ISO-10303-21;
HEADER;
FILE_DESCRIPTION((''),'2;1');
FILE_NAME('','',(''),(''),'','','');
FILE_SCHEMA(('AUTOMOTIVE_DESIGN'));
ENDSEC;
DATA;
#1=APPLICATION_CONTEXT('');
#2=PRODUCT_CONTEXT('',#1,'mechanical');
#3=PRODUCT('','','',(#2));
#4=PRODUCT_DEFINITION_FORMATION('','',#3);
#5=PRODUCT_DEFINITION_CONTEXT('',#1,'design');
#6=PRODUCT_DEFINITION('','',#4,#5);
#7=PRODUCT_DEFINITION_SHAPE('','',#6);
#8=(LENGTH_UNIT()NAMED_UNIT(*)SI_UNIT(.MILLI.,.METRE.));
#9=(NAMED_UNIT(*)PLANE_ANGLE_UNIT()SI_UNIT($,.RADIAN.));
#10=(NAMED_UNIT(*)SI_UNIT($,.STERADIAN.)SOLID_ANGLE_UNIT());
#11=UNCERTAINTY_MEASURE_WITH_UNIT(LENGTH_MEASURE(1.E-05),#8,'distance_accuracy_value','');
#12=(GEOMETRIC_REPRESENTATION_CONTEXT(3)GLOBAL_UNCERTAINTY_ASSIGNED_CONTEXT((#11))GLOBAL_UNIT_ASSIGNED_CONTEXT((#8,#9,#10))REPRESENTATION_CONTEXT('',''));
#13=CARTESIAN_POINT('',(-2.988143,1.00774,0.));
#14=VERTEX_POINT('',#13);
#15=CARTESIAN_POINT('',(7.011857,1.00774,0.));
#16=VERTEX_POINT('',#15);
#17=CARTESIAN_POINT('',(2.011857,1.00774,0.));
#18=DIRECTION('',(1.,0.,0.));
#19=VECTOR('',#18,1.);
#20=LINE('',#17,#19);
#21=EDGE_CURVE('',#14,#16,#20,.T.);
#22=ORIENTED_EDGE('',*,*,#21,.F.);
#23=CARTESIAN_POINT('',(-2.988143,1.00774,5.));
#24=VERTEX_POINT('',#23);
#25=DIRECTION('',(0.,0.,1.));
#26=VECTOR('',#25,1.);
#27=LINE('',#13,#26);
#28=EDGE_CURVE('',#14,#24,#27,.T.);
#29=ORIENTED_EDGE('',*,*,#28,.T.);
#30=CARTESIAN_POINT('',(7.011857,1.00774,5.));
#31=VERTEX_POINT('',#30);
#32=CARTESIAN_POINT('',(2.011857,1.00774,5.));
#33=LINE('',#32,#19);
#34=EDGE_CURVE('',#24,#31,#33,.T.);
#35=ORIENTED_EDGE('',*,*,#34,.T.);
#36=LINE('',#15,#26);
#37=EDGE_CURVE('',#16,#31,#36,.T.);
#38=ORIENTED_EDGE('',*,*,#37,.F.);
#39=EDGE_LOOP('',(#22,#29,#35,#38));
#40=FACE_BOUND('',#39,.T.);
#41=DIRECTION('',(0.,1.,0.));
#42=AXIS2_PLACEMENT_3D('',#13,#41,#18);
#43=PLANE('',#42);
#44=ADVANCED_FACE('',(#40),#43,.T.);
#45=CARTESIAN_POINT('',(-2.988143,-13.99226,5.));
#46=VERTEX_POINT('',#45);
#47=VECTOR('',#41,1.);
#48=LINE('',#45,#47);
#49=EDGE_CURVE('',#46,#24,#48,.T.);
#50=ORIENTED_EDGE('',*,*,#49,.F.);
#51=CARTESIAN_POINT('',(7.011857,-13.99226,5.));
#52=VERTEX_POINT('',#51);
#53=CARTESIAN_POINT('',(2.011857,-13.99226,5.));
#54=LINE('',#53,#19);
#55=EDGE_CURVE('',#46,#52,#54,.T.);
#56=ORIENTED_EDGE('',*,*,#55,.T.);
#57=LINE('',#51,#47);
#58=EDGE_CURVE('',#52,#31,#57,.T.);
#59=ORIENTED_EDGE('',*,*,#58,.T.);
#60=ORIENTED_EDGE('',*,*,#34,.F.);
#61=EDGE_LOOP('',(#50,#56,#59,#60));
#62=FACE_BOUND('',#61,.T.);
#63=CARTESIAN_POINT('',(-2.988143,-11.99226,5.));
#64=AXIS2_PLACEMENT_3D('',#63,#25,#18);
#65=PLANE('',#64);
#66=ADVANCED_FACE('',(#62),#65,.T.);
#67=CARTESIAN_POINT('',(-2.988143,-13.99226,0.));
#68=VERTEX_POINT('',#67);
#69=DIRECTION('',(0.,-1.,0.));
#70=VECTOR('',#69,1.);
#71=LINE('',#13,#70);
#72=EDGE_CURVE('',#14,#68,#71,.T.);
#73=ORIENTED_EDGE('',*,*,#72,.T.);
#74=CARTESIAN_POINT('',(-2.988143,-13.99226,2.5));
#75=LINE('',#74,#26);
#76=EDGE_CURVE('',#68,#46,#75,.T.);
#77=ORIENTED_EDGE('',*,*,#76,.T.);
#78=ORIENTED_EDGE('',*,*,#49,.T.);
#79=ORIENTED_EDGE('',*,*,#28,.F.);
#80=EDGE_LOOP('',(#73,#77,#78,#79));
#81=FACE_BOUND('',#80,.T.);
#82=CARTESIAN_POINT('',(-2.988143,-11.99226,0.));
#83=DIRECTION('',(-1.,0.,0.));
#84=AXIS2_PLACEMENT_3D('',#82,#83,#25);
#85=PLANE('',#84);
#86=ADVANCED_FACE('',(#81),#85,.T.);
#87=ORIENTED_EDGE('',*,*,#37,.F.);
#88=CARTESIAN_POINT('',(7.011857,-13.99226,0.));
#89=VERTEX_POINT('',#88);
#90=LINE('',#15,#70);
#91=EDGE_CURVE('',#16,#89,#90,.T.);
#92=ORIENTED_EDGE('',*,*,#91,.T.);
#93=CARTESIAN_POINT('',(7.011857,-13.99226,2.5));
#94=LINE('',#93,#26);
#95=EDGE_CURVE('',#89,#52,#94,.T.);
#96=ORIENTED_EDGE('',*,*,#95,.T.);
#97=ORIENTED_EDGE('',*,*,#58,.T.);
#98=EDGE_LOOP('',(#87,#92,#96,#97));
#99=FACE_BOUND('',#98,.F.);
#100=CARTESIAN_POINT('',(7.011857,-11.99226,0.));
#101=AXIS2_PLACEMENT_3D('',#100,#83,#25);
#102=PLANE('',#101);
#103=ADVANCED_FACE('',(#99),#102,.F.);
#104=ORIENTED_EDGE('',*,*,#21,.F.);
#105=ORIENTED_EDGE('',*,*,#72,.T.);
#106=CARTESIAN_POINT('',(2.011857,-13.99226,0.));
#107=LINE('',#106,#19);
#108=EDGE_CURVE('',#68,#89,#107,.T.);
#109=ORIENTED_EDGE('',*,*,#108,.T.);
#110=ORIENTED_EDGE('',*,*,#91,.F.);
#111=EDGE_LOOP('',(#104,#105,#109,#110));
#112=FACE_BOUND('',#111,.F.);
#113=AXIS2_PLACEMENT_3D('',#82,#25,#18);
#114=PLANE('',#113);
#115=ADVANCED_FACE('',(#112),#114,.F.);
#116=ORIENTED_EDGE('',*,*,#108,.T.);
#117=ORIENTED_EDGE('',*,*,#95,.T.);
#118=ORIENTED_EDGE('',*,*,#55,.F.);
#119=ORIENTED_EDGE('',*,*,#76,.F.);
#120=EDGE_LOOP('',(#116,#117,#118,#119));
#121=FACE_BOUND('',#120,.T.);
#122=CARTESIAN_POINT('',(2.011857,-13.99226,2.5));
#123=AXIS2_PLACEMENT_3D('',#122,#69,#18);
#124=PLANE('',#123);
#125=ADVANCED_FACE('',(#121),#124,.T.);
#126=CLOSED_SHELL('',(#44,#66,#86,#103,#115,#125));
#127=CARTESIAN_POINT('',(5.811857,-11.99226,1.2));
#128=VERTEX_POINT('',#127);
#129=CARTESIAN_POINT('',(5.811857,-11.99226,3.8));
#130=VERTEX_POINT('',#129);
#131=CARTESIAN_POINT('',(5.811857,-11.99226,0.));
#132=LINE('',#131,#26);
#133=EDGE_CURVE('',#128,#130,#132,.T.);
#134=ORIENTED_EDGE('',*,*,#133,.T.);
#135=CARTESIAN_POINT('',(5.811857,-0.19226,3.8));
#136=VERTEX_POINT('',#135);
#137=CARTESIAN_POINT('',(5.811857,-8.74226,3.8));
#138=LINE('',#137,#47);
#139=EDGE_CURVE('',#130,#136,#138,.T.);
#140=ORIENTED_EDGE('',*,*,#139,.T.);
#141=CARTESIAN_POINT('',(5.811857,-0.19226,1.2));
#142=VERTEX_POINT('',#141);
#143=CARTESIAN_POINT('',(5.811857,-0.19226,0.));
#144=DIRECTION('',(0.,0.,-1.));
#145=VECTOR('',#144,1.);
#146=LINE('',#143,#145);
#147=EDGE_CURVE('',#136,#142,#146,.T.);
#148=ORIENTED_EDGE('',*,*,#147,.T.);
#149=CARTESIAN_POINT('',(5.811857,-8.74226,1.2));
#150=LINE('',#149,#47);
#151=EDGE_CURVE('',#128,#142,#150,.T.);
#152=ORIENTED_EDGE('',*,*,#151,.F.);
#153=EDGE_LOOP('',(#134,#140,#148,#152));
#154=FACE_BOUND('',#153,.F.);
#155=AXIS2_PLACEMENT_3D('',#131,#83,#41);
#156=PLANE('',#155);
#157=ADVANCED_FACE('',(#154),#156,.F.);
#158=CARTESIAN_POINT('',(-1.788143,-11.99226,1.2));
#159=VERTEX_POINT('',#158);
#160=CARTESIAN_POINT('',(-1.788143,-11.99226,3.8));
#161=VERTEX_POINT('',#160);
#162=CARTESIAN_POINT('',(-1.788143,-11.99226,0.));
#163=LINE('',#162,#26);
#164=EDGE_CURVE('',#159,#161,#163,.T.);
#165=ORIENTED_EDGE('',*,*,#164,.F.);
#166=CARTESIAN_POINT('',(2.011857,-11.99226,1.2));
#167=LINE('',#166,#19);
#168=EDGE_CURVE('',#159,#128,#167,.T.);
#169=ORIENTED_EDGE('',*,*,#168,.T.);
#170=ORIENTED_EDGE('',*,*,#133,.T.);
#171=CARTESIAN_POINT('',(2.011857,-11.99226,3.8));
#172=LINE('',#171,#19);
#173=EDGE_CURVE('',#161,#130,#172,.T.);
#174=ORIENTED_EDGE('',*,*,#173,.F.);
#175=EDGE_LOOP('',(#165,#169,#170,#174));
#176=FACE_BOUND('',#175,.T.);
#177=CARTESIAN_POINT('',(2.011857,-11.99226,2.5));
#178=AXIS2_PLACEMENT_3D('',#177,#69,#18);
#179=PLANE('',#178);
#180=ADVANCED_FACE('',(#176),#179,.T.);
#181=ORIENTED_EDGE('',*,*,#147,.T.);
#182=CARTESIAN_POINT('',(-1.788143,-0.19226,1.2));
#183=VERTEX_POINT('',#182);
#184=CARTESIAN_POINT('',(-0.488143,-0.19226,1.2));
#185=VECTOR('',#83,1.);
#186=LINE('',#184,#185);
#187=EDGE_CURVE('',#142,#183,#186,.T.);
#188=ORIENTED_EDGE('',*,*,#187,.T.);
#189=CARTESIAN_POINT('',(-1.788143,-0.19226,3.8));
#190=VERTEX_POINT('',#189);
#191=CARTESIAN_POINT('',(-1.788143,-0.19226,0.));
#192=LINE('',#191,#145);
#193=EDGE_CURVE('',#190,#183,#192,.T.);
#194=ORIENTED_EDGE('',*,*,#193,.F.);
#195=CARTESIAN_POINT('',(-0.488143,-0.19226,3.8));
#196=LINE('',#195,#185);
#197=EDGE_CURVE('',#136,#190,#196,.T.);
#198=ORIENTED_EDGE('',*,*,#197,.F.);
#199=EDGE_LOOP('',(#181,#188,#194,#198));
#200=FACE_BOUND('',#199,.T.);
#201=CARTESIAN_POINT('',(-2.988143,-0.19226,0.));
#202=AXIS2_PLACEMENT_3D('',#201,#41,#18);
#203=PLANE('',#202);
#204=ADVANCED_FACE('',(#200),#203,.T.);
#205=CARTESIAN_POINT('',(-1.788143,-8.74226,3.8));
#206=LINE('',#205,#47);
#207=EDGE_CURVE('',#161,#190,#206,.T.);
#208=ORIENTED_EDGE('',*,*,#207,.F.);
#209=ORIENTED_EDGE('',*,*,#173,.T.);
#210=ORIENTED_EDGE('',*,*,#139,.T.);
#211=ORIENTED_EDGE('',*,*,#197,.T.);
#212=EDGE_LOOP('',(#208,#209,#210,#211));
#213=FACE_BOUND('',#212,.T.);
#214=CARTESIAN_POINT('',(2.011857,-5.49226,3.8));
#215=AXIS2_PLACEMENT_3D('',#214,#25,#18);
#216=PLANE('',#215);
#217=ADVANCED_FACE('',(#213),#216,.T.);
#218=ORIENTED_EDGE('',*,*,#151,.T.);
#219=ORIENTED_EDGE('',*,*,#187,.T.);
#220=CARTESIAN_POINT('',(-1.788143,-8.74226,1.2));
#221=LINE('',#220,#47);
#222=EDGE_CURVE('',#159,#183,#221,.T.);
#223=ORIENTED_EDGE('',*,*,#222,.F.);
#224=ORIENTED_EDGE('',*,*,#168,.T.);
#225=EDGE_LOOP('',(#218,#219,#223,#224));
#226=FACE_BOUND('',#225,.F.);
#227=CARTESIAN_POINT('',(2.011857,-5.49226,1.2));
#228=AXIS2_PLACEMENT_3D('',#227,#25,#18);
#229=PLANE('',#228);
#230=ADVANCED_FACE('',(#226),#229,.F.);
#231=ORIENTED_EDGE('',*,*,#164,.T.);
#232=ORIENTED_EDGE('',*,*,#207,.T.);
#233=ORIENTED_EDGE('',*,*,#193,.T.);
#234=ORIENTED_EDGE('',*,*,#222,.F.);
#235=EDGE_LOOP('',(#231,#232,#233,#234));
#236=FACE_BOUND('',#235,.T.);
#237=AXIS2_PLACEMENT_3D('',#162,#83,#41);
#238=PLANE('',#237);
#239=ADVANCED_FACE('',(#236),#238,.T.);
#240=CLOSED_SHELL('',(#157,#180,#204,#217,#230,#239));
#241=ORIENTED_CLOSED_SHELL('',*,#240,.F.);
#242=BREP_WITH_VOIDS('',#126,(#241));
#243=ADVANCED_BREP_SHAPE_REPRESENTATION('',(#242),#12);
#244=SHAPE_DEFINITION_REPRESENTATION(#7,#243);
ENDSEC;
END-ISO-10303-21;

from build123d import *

# Parameters (mm, degrees)
F0_W     = 10
F0_H     = 13
F1_DEPTH = 5
F2_T     = -1.2
F3_W     = 10
F3_H     = 5
F4_DEPTH = 2


with BuildPart() as f1:
    # F0 (on Top) → F1 (new body)
    with BuildSketch(Plane.XY):
        with Locations((2.011857, -5.49226)):
            Rectangle(F0_W, F0_H)
    extrude(amount=F1_DEPTH)

    # F2
    f2_openings = [f1.faces().sort_by_distance(p)[0] for p in [
        (2.011857, -11.99226, 2.5),
    ]]
    offset(amount=F2_T, openings=f2_openings)

    # F3 (on face) → F4 (join)
    with BuildSketch(Plane.XZ.offset(11.99226)):
        with Locations((2.011857, 2.5)):
            Rectangle(F3_W, F3_H)
    extrude(amount=F4_DEPTH)


solid = f1.part
